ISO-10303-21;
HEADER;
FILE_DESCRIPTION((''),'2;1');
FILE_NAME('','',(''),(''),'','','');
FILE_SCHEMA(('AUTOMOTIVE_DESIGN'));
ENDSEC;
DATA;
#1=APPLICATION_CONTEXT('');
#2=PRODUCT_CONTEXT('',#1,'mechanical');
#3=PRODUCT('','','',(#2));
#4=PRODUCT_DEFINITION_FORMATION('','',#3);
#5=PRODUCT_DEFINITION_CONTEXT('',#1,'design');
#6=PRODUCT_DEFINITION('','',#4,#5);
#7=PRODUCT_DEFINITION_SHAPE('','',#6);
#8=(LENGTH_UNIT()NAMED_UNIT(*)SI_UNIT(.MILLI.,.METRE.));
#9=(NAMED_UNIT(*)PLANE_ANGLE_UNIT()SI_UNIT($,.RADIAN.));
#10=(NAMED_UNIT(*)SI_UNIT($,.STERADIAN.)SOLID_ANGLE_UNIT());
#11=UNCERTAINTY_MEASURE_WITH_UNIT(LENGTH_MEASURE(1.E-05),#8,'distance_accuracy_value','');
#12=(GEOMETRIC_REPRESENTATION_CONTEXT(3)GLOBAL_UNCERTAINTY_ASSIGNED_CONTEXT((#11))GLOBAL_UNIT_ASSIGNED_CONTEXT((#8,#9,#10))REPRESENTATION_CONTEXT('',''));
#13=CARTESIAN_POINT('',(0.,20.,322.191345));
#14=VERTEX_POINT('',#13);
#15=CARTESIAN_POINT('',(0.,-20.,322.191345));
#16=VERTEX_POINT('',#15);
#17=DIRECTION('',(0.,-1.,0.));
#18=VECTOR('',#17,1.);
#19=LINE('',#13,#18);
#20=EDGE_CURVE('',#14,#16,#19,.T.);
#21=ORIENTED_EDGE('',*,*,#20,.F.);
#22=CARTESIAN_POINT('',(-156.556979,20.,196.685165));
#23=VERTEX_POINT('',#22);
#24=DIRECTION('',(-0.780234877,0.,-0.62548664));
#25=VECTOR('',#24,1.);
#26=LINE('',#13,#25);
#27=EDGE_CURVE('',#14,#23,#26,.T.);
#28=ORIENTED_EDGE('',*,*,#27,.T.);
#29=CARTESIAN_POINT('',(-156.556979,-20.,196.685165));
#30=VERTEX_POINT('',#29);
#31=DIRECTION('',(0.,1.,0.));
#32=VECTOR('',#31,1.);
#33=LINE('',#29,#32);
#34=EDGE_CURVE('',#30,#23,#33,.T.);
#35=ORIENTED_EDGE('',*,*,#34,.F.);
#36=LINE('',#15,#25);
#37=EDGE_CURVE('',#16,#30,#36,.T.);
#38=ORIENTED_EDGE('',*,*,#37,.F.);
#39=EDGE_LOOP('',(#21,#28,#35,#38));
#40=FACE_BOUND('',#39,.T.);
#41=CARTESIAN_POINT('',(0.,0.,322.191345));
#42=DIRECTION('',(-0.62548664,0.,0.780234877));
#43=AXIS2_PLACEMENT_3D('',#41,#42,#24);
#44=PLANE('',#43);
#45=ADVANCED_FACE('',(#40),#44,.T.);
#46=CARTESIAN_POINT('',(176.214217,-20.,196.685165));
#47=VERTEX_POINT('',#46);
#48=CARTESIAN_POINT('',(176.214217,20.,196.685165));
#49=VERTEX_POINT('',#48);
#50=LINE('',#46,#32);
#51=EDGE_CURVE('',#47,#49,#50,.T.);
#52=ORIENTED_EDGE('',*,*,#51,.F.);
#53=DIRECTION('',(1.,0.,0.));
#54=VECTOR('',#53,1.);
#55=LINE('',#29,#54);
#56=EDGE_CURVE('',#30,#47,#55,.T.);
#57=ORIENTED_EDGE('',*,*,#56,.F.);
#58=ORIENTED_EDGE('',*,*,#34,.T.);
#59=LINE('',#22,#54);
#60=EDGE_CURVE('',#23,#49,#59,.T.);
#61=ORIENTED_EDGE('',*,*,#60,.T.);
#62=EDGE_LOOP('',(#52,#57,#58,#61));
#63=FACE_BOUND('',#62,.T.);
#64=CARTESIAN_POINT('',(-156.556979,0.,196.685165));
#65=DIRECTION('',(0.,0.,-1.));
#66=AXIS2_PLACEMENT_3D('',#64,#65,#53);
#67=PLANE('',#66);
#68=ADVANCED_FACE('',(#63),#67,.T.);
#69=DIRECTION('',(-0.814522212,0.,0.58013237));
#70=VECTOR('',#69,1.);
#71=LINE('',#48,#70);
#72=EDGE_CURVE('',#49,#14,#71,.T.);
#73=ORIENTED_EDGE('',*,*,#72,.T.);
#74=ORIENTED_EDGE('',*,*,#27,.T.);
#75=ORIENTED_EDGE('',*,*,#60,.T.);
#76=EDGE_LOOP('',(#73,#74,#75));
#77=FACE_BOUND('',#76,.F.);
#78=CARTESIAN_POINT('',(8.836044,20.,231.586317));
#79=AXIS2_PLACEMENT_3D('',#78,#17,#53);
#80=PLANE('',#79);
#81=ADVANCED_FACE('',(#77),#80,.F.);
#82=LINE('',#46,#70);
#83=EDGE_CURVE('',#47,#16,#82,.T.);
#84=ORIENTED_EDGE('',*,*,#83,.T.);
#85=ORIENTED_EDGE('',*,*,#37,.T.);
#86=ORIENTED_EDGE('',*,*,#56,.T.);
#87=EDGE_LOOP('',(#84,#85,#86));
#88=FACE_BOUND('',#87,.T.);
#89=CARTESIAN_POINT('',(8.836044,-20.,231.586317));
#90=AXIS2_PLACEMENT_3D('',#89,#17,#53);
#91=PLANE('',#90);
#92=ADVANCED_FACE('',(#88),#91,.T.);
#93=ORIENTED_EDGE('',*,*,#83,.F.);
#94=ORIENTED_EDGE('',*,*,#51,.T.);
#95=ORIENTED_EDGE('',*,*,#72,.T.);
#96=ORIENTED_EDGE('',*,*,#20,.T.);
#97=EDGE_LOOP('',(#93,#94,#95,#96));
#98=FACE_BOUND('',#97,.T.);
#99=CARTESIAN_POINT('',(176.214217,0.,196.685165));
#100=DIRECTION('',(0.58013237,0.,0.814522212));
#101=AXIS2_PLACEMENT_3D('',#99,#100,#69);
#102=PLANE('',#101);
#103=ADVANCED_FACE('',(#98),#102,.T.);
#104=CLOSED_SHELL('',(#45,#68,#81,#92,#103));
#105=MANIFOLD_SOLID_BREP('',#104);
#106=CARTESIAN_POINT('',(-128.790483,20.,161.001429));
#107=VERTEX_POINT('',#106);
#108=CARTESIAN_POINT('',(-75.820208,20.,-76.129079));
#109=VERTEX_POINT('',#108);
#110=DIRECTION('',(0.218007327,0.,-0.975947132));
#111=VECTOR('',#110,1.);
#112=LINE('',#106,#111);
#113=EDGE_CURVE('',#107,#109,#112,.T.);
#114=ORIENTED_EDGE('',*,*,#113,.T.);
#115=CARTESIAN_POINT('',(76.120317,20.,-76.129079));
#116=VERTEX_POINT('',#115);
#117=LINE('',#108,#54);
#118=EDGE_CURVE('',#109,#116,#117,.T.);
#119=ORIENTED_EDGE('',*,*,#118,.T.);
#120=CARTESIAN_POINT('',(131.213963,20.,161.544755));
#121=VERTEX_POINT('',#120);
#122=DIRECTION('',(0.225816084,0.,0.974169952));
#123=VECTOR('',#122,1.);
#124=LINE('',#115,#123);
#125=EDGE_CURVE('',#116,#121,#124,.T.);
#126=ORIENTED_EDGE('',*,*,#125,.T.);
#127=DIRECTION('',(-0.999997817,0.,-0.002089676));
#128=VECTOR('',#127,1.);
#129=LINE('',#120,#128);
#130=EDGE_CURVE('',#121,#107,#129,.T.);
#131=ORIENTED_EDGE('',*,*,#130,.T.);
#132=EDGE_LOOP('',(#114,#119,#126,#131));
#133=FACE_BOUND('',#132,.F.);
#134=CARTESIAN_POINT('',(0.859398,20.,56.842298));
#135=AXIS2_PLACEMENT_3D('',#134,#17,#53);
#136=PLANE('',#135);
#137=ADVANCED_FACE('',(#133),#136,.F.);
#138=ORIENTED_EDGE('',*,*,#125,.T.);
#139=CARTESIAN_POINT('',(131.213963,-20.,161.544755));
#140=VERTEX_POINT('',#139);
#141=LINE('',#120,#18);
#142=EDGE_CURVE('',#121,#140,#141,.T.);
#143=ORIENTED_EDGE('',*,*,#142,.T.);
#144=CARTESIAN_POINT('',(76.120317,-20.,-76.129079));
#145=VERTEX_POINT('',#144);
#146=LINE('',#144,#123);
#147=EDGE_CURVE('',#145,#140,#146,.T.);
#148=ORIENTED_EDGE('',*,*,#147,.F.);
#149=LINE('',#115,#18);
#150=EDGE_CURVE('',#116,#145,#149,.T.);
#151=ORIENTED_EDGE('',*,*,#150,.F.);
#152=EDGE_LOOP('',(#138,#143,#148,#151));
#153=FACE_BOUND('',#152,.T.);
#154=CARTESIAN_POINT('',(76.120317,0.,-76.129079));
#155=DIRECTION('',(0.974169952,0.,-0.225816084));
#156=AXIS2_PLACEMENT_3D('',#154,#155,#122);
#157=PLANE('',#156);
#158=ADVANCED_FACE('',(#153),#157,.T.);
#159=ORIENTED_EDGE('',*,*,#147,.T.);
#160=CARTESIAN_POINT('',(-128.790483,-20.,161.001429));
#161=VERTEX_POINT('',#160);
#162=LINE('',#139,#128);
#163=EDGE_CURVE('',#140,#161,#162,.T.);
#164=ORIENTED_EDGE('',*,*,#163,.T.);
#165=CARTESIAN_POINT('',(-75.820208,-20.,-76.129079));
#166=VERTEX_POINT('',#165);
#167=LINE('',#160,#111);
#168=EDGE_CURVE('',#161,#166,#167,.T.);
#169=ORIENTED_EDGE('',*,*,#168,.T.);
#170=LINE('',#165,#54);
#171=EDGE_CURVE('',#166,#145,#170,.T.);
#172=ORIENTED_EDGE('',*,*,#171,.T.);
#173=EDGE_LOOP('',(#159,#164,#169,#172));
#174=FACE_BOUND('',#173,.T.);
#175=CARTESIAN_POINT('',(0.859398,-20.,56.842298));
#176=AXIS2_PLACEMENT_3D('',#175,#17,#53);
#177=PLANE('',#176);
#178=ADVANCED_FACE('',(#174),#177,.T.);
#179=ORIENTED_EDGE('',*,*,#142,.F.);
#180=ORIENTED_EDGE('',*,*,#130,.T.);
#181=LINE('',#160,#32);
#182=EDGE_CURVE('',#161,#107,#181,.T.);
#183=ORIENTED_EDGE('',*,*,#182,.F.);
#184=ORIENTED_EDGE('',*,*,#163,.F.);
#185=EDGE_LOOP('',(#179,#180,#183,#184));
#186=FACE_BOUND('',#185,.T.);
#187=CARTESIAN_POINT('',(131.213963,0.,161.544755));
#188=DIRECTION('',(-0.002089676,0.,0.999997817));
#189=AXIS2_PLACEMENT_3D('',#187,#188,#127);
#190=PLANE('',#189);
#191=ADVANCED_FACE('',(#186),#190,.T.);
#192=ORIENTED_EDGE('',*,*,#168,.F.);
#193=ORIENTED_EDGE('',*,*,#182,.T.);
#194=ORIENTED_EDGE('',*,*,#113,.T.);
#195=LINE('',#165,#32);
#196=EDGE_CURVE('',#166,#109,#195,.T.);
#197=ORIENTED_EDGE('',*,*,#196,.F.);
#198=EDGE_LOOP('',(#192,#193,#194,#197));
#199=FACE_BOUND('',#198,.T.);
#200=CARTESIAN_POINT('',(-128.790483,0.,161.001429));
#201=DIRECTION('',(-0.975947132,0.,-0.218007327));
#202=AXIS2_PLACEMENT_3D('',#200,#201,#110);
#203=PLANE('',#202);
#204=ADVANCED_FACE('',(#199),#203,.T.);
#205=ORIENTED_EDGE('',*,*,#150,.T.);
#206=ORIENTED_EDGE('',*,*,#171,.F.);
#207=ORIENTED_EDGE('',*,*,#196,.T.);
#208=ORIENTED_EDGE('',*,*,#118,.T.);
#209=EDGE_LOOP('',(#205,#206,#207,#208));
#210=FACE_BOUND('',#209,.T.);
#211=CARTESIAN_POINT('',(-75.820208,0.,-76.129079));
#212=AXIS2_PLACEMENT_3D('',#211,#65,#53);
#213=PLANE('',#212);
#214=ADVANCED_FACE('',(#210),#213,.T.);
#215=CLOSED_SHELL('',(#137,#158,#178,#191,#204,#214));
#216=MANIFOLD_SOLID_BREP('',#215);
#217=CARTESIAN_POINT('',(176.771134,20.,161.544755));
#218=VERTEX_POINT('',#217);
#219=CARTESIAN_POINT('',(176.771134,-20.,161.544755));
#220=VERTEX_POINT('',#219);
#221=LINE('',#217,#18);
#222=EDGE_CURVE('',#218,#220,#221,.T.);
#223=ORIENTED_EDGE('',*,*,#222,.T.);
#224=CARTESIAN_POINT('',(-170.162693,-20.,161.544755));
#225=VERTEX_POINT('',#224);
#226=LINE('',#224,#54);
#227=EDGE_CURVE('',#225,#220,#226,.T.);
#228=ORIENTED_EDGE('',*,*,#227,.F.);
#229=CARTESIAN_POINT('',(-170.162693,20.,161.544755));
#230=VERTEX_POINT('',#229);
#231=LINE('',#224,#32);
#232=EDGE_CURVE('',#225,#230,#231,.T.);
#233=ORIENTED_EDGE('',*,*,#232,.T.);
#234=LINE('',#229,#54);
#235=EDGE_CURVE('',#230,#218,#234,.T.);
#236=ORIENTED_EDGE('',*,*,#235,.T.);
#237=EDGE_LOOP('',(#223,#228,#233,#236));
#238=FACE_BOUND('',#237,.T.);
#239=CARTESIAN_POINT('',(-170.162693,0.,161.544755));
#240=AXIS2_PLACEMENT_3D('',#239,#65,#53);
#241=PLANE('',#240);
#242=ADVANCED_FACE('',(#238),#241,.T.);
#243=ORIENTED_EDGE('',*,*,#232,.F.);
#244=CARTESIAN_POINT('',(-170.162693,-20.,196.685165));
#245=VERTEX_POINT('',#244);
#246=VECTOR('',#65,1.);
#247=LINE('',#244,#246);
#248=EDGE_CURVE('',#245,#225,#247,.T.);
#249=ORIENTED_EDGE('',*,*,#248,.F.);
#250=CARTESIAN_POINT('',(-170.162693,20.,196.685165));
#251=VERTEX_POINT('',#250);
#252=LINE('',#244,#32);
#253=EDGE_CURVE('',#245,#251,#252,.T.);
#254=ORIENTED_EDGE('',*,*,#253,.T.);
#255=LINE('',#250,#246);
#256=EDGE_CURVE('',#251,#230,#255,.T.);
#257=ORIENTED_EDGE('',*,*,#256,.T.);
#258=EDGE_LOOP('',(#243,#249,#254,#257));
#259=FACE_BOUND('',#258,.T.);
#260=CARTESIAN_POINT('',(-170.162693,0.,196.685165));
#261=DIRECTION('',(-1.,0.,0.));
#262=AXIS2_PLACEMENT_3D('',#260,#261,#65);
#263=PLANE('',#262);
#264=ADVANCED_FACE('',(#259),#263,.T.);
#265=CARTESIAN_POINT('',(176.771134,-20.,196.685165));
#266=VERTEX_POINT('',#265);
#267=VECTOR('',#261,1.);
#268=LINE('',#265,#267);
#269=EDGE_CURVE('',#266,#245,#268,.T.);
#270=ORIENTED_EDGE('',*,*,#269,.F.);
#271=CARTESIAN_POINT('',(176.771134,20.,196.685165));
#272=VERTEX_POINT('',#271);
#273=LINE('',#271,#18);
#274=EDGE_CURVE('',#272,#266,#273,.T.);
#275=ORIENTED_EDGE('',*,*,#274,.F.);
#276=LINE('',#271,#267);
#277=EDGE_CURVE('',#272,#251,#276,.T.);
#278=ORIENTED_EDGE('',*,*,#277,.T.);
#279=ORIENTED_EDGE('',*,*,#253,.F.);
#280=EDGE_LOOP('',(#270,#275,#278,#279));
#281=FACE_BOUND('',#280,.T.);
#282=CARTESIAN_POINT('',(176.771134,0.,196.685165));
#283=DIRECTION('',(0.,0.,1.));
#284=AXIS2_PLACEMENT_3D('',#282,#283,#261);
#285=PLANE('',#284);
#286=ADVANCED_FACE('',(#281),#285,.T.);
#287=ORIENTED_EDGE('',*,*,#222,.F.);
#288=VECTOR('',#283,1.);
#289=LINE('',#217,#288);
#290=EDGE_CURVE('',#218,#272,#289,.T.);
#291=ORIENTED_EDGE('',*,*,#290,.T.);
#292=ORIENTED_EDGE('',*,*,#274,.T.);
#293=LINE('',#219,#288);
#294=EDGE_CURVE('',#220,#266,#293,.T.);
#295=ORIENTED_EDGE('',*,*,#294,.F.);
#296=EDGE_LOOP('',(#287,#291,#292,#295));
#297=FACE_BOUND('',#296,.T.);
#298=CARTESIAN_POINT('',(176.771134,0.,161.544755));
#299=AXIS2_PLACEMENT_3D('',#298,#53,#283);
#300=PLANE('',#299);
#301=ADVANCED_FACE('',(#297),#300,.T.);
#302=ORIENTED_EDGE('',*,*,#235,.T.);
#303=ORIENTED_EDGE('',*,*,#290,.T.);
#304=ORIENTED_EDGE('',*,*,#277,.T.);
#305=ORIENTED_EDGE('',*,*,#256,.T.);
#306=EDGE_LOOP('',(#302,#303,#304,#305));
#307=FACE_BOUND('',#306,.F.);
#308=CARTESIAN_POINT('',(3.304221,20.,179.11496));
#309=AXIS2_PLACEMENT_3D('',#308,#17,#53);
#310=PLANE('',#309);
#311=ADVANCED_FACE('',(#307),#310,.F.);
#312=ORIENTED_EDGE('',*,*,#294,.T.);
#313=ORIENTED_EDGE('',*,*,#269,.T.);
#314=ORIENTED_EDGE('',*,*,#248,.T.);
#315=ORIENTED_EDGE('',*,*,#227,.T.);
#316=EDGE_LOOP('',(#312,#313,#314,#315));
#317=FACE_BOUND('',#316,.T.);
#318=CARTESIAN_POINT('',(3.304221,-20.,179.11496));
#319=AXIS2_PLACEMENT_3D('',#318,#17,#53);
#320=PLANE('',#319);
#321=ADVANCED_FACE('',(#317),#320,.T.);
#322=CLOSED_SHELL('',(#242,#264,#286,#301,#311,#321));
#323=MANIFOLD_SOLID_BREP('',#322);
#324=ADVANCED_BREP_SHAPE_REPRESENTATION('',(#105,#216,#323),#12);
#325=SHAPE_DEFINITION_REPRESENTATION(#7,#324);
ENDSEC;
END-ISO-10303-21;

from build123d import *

# Parameters (mm, degrees)
F2_DEPTH = 20


with BuildPart() as f2:
    # F1 (on face) → F2 (new body, symmetric)
    with BuildSketch(Plane.XZ):
        Polygon((176.2142172069, 196.6851651669), (0, 322.1913451918), (-156.5569793337, 196.6851651669), align=None)
    extrude(amount=F2_DEPTH, both=True)


with BuildPart() as f2b:
    # F0 (on Front) → F2, piece 2 (new body, symmetric)
    with BuildSketch(Plane.XZ):
        Polygon((-170.1626926661, 161.5447551012), (131.2139630318, 161.5447551012), (176.7711341381, 161.5447551012), (176.7711341381, 196.6851651669), (-170.1626926661, 196.6851651669), align=None)
    extrude(amount=F2_DEPTH, both=True)


with BuildPart() as f2c:
    # F0 (on Front) → F2, piece 3 (new body, symmetric)
    with BuildSketch(Plane.XZ):
        Polygon((-75.8202075958, -76.1290788651), (76.1203169823, -76.1290788651), (131.2139630318, 161.5447551012), (-128.7904828787, 161.0014289618), align=None)
    extrude(amount=F2_DEPTH, both=True)


solid = Compound([f2.part, f2b.part, f2c.part])
